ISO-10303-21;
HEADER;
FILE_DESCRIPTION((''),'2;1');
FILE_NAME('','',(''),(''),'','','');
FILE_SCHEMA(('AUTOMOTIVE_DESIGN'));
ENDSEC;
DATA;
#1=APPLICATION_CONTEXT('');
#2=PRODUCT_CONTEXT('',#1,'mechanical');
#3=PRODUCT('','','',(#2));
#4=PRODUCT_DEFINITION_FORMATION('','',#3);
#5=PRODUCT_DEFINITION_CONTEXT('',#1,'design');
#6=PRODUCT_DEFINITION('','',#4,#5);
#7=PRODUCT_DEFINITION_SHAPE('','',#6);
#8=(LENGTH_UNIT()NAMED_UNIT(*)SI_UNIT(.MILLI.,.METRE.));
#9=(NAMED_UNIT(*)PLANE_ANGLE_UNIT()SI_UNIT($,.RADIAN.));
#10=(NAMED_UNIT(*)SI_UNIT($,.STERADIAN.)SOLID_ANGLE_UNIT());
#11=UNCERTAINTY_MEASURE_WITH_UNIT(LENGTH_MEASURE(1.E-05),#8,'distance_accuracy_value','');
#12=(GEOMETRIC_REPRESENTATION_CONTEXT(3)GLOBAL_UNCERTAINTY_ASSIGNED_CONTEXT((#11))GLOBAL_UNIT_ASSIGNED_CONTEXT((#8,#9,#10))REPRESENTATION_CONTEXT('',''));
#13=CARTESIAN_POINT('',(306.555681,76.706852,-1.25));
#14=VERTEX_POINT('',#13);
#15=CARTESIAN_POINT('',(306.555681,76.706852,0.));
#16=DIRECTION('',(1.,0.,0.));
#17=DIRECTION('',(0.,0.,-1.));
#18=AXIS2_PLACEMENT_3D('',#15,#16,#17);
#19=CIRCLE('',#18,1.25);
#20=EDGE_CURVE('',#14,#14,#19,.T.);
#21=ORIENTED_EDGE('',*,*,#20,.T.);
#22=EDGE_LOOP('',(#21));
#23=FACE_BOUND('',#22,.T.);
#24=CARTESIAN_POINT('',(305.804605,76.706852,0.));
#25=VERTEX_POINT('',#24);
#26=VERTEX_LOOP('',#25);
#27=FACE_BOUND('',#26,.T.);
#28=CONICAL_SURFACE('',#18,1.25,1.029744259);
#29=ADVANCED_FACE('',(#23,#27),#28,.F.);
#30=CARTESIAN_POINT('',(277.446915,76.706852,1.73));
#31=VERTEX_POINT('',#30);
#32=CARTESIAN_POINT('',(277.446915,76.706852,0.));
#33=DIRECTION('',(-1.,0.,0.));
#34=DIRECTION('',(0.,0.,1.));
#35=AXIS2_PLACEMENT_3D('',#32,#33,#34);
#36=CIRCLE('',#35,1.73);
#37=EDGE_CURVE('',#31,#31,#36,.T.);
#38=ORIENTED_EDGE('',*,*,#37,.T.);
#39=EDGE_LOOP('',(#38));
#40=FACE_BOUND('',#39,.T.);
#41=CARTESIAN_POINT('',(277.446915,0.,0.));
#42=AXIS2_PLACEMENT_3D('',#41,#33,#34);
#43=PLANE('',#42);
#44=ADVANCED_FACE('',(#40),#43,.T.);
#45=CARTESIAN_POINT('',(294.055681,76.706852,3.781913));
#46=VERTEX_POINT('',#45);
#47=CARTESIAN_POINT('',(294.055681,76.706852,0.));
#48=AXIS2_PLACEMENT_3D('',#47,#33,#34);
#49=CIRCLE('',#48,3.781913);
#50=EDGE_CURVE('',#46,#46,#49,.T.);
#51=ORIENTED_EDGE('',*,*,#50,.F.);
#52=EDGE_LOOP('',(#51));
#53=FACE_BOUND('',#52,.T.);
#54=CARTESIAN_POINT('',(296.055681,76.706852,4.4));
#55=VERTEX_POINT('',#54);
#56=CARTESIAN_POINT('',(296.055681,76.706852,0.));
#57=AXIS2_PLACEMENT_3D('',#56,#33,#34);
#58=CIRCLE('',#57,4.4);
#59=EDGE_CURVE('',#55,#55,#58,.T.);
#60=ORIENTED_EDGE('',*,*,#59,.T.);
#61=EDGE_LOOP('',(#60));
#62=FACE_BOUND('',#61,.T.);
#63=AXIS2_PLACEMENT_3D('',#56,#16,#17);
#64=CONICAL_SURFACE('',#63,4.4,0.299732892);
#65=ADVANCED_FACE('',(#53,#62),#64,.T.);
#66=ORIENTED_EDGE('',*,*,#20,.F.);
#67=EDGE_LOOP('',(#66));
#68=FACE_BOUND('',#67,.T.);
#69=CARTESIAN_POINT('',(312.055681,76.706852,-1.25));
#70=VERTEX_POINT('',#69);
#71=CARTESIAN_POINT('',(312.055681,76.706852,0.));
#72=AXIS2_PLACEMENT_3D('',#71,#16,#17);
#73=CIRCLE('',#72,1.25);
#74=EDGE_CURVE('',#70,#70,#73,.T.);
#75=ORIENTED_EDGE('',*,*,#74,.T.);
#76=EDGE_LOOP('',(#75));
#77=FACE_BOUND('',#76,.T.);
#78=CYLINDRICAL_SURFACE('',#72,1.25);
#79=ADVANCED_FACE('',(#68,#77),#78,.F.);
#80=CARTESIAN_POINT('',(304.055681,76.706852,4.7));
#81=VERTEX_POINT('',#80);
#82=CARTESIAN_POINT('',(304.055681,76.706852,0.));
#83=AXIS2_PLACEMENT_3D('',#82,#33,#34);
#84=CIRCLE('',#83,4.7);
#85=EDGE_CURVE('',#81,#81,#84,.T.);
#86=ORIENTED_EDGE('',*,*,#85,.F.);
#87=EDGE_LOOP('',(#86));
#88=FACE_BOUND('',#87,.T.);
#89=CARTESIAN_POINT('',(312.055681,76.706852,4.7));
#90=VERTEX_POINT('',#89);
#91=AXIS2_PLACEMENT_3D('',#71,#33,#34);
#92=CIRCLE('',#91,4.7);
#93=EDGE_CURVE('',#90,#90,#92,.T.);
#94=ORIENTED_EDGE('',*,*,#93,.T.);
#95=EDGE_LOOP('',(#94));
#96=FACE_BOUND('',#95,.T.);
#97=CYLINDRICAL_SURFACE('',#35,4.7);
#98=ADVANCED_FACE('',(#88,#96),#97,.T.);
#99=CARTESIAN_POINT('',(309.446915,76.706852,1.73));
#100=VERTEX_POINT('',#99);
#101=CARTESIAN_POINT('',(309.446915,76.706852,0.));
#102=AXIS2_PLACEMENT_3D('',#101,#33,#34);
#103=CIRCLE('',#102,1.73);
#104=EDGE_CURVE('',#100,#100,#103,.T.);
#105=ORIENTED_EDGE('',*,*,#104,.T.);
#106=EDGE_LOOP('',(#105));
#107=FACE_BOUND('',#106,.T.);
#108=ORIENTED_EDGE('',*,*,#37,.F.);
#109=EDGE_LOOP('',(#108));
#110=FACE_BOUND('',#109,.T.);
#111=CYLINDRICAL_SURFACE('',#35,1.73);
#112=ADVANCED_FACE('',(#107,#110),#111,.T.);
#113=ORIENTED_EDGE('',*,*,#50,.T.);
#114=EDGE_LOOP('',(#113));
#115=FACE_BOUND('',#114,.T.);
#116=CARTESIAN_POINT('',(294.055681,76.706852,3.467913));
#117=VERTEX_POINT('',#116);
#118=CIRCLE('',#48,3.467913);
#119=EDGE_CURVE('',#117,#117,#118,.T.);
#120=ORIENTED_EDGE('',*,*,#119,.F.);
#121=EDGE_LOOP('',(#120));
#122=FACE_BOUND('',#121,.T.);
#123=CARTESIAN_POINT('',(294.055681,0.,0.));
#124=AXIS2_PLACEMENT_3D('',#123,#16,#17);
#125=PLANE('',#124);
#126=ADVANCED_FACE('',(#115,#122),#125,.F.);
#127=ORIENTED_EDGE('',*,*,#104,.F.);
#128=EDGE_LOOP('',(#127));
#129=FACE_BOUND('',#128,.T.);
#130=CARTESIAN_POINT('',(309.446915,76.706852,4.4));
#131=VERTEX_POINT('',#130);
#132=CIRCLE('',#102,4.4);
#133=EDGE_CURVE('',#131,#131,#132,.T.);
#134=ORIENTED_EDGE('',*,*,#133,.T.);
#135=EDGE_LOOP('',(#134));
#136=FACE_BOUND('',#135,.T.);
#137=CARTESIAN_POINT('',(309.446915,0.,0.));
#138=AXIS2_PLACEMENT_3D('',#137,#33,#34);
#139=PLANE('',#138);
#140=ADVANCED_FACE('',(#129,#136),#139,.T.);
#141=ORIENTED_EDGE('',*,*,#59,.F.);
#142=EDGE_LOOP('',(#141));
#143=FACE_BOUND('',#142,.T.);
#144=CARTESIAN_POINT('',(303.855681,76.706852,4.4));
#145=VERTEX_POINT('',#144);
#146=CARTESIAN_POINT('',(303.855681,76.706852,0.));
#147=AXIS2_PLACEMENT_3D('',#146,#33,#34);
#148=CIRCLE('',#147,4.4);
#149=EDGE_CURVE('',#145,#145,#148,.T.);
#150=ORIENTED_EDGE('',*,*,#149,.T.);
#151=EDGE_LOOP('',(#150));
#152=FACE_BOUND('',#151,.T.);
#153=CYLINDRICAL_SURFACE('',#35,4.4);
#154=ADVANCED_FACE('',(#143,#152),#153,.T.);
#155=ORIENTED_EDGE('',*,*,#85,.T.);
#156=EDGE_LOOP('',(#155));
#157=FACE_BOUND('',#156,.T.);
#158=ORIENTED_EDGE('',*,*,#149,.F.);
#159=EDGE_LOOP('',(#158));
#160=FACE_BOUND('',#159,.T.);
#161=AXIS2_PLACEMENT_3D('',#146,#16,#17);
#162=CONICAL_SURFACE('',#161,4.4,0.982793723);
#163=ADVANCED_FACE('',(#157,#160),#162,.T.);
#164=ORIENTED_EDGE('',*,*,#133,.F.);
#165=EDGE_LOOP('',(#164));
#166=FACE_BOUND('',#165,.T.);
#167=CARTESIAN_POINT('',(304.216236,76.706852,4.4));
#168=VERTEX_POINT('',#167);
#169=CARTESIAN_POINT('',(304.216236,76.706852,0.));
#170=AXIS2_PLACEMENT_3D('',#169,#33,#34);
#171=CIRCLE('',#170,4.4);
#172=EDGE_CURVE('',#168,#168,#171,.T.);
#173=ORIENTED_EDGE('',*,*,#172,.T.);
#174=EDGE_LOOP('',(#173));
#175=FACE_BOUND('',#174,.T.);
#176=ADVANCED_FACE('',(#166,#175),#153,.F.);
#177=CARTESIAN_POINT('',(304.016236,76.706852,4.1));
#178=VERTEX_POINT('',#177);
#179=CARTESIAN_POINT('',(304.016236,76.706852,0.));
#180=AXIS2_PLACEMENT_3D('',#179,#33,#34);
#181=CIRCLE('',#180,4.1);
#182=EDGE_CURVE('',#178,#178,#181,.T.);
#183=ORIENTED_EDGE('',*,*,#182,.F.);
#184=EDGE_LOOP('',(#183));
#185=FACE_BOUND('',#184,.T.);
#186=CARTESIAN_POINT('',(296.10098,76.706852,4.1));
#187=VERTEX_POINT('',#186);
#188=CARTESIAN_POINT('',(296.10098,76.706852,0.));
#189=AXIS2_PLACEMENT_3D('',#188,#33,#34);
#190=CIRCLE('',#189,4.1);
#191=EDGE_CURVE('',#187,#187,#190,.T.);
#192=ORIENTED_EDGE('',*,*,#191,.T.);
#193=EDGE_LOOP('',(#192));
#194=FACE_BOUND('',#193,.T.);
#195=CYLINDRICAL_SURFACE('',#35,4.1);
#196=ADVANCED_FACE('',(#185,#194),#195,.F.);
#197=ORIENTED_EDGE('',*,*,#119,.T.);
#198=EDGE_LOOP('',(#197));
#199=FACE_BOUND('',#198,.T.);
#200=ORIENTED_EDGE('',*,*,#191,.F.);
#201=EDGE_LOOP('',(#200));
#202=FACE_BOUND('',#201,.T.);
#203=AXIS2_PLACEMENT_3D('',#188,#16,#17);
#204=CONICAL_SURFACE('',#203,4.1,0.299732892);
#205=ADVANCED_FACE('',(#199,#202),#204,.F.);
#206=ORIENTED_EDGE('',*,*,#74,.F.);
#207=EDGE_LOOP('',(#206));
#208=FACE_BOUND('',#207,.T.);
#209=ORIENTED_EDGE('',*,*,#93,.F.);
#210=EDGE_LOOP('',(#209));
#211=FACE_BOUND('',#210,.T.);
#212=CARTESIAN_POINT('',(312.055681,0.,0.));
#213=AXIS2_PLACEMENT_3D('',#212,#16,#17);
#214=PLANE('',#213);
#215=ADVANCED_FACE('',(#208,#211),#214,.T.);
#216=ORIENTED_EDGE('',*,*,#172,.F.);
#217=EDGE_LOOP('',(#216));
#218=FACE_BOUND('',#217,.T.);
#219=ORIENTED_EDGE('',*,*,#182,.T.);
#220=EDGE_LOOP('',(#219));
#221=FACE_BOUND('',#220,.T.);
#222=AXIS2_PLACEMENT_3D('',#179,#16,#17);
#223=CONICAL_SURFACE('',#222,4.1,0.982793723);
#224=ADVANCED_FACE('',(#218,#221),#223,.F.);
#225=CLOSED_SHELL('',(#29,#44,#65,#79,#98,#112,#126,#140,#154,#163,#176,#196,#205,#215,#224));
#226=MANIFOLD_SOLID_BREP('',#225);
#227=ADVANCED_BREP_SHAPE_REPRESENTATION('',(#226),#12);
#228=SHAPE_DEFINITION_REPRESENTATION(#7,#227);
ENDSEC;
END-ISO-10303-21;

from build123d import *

# Parameters (mm, degrees)
TAP_DRILL_FOR_M3_TAP1_D     = 2.5
TAP_DRILL_FOR_M3_TAP1_DEPTH = 5.5
TAP_DRILL_FOR_M3_TAP1_TIP   = 0.751075774


with BuildPart() as part:
    # Sketch2 → Revolve4 (revolve)
    with BuildSketch(Plane.XY):
        Polygon((296.055680528, 81.106851928), (303.855680528, 81.106851928), (304.055680528, 81.406851928), (312.055680528, 81.406851928), (312.055680528, 79.406851928), (312.055680528, 76.706851928), (277.446915198, 76.706851928), (277.446915198, 78.436851928), (294.046915198, 78.436851928), (309.446915198, 78.436851928), (309.446915198, 81.106851928), (304.216235656, 81.106851928), (304.016235656, 80.806851928), (296.100980113, 80.806851928), (294.055680528, 80.174765167), (294.055680528, 80.488764715), align=None)
    revolve(axis=Axis((277.446915198, 76.706851928, 0), (1, 0, 0)))

    # Tap Drill for M3 Tap1
    with Locations(Plane(origin=(312.055680528, 0, 0), x_dir=(0, 0, -1), z_dir=(1, 0, 0))):
        with Locations((0, 76.706851928)):
            Hole(TAP_DRILL_FOR_M3_TAP1_D / 2, depth=TAP_DRILL_FOR_M3_TAP1_DEPTH)
            with Locations((0, 0, -(TAP_DRILL_FOR_M3_TAP1_DEPTH + TAP_DRILL_FOR_M3_TAP1_TIP / 2))):  # 118° drill point
                Cone(0, TAP_DRILL_FOR_M3_TAP1_D / 2, TAP_DRILL_FOR_M3_TAP1_TIP, mode=Mode.SUBTRACT)


solid = part.part
